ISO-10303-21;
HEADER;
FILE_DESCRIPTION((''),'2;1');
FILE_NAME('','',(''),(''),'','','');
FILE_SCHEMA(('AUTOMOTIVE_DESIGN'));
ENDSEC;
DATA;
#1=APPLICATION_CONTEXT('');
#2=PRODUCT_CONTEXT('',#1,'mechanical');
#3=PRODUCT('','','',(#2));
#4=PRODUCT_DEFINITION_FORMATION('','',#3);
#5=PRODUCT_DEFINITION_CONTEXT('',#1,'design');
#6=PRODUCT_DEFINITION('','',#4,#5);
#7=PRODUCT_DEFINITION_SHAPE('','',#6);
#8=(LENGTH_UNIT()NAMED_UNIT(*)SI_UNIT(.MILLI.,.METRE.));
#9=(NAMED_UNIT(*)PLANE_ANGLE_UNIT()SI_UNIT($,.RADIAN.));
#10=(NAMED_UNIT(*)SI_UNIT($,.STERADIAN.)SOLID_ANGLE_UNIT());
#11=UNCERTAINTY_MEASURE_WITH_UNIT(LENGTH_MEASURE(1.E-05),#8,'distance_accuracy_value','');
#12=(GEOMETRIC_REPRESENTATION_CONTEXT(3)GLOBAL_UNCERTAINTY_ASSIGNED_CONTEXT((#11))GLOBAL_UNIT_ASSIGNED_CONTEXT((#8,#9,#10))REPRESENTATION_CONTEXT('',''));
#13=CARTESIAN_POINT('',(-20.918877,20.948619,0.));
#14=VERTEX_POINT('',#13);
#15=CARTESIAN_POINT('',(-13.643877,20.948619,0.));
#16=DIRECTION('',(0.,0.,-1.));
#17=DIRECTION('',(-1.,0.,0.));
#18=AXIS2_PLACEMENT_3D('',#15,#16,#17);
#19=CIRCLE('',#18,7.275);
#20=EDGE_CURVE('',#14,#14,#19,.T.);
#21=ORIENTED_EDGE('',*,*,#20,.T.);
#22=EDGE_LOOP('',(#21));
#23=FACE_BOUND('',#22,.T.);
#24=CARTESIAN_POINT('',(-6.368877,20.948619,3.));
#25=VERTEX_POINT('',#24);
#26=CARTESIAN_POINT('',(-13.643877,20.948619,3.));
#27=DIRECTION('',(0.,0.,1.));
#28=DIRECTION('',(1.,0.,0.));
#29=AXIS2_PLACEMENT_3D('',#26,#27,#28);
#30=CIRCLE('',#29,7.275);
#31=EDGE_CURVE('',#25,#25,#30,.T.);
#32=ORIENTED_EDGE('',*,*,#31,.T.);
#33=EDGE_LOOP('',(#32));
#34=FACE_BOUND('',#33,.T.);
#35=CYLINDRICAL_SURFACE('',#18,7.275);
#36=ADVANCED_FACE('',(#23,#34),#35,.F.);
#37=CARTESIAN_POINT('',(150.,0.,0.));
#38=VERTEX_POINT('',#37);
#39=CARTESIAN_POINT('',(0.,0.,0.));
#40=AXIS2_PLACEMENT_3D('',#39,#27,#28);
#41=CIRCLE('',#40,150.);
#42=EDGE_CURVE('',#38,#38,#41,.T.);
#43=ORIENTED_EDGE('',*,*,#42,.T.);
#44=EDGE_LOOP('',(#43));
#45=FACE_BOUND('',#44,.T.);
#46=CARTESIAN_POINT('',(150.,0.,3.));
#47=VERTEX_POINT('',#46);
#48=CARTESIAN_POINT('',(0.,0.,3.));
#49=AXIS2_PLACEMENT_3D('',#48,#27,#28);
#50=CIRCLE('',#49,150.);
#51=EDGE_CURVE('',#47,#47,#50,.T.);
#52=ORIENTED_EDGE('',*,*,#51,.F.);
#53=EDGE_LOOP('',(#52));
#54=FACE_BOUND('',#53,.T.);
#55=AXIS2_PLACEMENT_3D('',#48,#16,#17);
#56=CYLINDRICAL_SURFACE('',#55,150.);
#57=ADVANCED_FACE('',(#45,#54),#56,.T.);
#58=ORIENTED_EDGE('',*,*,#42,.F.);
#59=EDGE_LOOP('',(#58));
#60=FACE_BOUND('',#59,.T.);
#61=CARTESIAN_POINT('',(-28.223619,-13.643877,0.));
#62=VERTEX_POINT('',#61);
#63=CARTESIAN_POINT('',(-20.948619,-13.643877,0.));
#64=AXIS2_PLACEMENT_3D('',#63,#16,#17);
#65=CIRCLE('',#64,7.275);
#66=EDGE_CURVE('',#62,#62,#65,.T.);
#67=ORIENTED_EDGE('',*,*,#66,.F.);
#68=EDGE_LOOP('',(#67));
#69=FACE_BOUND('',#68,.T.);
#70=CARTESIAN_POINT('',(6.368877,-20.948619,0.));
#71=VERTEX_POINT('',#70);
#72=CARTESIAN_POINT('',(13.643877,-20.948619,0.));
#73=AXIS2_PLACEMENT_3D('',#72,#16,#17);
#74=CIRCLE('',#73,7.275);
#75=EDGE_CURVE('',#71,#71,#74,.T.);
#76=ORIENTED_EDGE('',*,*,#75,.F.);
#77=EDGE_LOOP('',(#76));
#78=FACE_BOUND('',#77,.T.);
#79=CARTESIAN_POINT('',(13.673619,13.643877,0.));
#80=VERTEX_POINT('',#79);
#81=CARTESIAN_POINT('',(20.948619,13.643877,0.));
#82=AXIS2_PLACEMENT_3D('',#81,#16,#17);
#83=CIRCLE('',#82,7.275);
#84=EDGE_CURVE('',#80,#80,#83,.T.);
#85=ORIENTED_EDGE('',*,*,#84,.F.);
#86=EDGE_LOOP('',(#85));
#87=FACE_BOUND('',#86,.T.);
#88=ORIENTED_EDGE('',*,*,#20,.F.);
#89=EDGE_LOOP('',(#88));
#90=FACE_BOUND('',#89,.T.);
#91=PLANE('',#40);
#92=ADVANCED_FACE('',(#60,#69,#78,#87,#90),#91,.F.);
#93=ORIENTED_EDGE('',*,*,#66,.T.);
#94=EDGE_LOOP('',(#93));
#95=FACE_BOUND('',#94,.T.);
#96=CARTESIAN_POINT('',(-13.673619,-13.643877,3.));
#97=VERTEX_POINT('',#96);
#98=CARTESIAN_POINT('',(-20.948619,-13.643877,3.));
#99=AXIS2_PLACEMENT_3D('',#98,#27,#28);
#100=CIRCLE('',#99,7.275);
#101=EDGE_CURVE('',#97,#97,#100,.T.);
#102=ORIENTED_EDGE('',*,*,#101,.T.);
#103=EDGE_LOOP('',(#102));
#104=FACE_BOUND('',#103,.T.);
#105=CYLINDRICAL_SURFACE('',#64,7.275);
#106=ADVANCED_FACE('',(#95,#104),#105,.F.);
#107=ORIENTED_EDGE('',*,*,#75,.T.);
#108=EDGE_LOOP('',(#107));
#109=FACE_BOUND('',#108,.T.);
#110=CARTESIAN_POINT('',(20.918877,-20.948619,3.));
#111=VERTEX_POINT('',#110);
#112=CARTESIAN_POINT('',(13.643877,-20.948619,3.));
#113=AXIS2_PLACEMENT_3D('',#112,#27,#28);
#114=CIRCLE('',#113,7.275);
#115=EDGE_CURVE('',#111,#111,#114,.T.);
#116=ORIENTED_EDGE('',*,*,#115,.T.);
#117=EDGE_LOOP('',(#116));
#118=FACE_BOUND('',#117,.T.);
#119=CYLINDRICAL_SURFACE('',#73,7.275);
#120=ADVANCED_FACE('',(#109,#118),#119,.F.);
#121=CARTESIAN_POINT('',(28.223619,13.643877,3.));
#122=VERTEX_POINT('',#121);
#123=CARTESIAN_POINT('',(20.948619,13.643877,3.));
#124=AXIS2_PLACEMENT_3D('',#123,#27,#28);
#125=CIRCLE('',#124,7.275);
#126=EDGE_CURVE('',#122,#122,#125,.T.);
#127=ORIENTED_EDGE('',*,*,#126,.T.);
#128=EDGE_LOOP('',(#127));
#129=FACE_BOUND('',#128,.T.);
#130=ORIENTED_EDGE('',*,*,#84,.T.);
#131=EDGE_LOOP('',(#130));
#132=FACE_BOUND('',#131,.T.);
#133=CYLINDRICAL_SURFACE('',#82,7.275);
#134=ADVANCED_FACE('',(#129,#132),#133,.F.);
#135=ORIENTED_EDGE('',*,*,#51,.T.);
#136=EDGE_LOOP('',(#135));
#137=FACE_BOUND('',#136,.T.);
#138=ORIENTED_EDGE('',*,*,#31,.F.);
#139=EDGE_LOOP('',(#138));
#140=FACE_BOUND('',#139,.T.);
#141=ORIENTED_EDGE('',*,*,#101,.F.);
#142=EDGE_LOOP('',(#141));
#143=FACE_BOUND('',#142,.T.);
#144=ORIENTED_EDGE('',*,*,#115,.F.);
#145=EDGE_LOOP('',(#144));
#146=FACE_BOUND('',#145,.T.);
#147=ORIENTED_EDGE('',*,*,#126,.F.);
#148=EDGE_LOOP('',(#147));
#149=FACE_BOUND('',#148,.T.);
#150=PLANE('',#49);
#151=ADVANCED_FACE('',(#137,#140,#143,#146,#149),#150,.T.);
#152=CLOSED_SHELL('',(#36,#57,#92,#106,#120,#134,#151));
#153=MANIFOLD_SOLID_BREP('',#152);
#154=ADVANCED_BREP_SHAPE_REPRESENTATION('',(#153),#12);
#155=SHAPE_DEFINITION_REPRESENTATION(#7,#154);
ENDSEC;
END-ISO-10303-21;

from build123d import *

# Parameters (mm, degrees)
SKETCH1_R                               = 150
BOSS_EXTRUDE2_DEPTH                     = 3
CBORE_FOR_M6_HEX_HEAD_BOLT1_D           = 6.6
CBORE_FOR_M6_HEX_HEAD_BOLT1_CBORE_D     = 14.55
CBORE_FOR_M6_HEX_HEAD_BOLT1_CBORE_DEPTH = 4.38


with BuildPart() as part:
    # Sketch1 → Boss-Extrude2 (new body)
    with BuildSketch(Plane.XY):
        Circle(SKETCH1_R)
    extrude(amount=BOSS_EXTRUDE2_DEPTH)

    # CBORE for M6 Hex Head Bolt1 (through all)
    with Locations(Plane(origin=(0, 0, 0), x_dir=(-1, 0, 0), z_dir=(0, 0, -1))):
        with Locations((-20.948618644, 13.643876902), (13.643876902, 20.948618644), (20.948618644, -13.643876902), (-13.643876902, -20.948618644)):
            CounterBoreHole(CBORE_FOR_M6_HEX_HEAD_BOLT1_D / 2, CBORE_FOR_M6_HEX_HEAD_BOLT1_CBORE_D / 2, CBORE_FOR_M6_HEX_HEAD_BOLT1_CBORE_DEPTH)


solid = part.part
